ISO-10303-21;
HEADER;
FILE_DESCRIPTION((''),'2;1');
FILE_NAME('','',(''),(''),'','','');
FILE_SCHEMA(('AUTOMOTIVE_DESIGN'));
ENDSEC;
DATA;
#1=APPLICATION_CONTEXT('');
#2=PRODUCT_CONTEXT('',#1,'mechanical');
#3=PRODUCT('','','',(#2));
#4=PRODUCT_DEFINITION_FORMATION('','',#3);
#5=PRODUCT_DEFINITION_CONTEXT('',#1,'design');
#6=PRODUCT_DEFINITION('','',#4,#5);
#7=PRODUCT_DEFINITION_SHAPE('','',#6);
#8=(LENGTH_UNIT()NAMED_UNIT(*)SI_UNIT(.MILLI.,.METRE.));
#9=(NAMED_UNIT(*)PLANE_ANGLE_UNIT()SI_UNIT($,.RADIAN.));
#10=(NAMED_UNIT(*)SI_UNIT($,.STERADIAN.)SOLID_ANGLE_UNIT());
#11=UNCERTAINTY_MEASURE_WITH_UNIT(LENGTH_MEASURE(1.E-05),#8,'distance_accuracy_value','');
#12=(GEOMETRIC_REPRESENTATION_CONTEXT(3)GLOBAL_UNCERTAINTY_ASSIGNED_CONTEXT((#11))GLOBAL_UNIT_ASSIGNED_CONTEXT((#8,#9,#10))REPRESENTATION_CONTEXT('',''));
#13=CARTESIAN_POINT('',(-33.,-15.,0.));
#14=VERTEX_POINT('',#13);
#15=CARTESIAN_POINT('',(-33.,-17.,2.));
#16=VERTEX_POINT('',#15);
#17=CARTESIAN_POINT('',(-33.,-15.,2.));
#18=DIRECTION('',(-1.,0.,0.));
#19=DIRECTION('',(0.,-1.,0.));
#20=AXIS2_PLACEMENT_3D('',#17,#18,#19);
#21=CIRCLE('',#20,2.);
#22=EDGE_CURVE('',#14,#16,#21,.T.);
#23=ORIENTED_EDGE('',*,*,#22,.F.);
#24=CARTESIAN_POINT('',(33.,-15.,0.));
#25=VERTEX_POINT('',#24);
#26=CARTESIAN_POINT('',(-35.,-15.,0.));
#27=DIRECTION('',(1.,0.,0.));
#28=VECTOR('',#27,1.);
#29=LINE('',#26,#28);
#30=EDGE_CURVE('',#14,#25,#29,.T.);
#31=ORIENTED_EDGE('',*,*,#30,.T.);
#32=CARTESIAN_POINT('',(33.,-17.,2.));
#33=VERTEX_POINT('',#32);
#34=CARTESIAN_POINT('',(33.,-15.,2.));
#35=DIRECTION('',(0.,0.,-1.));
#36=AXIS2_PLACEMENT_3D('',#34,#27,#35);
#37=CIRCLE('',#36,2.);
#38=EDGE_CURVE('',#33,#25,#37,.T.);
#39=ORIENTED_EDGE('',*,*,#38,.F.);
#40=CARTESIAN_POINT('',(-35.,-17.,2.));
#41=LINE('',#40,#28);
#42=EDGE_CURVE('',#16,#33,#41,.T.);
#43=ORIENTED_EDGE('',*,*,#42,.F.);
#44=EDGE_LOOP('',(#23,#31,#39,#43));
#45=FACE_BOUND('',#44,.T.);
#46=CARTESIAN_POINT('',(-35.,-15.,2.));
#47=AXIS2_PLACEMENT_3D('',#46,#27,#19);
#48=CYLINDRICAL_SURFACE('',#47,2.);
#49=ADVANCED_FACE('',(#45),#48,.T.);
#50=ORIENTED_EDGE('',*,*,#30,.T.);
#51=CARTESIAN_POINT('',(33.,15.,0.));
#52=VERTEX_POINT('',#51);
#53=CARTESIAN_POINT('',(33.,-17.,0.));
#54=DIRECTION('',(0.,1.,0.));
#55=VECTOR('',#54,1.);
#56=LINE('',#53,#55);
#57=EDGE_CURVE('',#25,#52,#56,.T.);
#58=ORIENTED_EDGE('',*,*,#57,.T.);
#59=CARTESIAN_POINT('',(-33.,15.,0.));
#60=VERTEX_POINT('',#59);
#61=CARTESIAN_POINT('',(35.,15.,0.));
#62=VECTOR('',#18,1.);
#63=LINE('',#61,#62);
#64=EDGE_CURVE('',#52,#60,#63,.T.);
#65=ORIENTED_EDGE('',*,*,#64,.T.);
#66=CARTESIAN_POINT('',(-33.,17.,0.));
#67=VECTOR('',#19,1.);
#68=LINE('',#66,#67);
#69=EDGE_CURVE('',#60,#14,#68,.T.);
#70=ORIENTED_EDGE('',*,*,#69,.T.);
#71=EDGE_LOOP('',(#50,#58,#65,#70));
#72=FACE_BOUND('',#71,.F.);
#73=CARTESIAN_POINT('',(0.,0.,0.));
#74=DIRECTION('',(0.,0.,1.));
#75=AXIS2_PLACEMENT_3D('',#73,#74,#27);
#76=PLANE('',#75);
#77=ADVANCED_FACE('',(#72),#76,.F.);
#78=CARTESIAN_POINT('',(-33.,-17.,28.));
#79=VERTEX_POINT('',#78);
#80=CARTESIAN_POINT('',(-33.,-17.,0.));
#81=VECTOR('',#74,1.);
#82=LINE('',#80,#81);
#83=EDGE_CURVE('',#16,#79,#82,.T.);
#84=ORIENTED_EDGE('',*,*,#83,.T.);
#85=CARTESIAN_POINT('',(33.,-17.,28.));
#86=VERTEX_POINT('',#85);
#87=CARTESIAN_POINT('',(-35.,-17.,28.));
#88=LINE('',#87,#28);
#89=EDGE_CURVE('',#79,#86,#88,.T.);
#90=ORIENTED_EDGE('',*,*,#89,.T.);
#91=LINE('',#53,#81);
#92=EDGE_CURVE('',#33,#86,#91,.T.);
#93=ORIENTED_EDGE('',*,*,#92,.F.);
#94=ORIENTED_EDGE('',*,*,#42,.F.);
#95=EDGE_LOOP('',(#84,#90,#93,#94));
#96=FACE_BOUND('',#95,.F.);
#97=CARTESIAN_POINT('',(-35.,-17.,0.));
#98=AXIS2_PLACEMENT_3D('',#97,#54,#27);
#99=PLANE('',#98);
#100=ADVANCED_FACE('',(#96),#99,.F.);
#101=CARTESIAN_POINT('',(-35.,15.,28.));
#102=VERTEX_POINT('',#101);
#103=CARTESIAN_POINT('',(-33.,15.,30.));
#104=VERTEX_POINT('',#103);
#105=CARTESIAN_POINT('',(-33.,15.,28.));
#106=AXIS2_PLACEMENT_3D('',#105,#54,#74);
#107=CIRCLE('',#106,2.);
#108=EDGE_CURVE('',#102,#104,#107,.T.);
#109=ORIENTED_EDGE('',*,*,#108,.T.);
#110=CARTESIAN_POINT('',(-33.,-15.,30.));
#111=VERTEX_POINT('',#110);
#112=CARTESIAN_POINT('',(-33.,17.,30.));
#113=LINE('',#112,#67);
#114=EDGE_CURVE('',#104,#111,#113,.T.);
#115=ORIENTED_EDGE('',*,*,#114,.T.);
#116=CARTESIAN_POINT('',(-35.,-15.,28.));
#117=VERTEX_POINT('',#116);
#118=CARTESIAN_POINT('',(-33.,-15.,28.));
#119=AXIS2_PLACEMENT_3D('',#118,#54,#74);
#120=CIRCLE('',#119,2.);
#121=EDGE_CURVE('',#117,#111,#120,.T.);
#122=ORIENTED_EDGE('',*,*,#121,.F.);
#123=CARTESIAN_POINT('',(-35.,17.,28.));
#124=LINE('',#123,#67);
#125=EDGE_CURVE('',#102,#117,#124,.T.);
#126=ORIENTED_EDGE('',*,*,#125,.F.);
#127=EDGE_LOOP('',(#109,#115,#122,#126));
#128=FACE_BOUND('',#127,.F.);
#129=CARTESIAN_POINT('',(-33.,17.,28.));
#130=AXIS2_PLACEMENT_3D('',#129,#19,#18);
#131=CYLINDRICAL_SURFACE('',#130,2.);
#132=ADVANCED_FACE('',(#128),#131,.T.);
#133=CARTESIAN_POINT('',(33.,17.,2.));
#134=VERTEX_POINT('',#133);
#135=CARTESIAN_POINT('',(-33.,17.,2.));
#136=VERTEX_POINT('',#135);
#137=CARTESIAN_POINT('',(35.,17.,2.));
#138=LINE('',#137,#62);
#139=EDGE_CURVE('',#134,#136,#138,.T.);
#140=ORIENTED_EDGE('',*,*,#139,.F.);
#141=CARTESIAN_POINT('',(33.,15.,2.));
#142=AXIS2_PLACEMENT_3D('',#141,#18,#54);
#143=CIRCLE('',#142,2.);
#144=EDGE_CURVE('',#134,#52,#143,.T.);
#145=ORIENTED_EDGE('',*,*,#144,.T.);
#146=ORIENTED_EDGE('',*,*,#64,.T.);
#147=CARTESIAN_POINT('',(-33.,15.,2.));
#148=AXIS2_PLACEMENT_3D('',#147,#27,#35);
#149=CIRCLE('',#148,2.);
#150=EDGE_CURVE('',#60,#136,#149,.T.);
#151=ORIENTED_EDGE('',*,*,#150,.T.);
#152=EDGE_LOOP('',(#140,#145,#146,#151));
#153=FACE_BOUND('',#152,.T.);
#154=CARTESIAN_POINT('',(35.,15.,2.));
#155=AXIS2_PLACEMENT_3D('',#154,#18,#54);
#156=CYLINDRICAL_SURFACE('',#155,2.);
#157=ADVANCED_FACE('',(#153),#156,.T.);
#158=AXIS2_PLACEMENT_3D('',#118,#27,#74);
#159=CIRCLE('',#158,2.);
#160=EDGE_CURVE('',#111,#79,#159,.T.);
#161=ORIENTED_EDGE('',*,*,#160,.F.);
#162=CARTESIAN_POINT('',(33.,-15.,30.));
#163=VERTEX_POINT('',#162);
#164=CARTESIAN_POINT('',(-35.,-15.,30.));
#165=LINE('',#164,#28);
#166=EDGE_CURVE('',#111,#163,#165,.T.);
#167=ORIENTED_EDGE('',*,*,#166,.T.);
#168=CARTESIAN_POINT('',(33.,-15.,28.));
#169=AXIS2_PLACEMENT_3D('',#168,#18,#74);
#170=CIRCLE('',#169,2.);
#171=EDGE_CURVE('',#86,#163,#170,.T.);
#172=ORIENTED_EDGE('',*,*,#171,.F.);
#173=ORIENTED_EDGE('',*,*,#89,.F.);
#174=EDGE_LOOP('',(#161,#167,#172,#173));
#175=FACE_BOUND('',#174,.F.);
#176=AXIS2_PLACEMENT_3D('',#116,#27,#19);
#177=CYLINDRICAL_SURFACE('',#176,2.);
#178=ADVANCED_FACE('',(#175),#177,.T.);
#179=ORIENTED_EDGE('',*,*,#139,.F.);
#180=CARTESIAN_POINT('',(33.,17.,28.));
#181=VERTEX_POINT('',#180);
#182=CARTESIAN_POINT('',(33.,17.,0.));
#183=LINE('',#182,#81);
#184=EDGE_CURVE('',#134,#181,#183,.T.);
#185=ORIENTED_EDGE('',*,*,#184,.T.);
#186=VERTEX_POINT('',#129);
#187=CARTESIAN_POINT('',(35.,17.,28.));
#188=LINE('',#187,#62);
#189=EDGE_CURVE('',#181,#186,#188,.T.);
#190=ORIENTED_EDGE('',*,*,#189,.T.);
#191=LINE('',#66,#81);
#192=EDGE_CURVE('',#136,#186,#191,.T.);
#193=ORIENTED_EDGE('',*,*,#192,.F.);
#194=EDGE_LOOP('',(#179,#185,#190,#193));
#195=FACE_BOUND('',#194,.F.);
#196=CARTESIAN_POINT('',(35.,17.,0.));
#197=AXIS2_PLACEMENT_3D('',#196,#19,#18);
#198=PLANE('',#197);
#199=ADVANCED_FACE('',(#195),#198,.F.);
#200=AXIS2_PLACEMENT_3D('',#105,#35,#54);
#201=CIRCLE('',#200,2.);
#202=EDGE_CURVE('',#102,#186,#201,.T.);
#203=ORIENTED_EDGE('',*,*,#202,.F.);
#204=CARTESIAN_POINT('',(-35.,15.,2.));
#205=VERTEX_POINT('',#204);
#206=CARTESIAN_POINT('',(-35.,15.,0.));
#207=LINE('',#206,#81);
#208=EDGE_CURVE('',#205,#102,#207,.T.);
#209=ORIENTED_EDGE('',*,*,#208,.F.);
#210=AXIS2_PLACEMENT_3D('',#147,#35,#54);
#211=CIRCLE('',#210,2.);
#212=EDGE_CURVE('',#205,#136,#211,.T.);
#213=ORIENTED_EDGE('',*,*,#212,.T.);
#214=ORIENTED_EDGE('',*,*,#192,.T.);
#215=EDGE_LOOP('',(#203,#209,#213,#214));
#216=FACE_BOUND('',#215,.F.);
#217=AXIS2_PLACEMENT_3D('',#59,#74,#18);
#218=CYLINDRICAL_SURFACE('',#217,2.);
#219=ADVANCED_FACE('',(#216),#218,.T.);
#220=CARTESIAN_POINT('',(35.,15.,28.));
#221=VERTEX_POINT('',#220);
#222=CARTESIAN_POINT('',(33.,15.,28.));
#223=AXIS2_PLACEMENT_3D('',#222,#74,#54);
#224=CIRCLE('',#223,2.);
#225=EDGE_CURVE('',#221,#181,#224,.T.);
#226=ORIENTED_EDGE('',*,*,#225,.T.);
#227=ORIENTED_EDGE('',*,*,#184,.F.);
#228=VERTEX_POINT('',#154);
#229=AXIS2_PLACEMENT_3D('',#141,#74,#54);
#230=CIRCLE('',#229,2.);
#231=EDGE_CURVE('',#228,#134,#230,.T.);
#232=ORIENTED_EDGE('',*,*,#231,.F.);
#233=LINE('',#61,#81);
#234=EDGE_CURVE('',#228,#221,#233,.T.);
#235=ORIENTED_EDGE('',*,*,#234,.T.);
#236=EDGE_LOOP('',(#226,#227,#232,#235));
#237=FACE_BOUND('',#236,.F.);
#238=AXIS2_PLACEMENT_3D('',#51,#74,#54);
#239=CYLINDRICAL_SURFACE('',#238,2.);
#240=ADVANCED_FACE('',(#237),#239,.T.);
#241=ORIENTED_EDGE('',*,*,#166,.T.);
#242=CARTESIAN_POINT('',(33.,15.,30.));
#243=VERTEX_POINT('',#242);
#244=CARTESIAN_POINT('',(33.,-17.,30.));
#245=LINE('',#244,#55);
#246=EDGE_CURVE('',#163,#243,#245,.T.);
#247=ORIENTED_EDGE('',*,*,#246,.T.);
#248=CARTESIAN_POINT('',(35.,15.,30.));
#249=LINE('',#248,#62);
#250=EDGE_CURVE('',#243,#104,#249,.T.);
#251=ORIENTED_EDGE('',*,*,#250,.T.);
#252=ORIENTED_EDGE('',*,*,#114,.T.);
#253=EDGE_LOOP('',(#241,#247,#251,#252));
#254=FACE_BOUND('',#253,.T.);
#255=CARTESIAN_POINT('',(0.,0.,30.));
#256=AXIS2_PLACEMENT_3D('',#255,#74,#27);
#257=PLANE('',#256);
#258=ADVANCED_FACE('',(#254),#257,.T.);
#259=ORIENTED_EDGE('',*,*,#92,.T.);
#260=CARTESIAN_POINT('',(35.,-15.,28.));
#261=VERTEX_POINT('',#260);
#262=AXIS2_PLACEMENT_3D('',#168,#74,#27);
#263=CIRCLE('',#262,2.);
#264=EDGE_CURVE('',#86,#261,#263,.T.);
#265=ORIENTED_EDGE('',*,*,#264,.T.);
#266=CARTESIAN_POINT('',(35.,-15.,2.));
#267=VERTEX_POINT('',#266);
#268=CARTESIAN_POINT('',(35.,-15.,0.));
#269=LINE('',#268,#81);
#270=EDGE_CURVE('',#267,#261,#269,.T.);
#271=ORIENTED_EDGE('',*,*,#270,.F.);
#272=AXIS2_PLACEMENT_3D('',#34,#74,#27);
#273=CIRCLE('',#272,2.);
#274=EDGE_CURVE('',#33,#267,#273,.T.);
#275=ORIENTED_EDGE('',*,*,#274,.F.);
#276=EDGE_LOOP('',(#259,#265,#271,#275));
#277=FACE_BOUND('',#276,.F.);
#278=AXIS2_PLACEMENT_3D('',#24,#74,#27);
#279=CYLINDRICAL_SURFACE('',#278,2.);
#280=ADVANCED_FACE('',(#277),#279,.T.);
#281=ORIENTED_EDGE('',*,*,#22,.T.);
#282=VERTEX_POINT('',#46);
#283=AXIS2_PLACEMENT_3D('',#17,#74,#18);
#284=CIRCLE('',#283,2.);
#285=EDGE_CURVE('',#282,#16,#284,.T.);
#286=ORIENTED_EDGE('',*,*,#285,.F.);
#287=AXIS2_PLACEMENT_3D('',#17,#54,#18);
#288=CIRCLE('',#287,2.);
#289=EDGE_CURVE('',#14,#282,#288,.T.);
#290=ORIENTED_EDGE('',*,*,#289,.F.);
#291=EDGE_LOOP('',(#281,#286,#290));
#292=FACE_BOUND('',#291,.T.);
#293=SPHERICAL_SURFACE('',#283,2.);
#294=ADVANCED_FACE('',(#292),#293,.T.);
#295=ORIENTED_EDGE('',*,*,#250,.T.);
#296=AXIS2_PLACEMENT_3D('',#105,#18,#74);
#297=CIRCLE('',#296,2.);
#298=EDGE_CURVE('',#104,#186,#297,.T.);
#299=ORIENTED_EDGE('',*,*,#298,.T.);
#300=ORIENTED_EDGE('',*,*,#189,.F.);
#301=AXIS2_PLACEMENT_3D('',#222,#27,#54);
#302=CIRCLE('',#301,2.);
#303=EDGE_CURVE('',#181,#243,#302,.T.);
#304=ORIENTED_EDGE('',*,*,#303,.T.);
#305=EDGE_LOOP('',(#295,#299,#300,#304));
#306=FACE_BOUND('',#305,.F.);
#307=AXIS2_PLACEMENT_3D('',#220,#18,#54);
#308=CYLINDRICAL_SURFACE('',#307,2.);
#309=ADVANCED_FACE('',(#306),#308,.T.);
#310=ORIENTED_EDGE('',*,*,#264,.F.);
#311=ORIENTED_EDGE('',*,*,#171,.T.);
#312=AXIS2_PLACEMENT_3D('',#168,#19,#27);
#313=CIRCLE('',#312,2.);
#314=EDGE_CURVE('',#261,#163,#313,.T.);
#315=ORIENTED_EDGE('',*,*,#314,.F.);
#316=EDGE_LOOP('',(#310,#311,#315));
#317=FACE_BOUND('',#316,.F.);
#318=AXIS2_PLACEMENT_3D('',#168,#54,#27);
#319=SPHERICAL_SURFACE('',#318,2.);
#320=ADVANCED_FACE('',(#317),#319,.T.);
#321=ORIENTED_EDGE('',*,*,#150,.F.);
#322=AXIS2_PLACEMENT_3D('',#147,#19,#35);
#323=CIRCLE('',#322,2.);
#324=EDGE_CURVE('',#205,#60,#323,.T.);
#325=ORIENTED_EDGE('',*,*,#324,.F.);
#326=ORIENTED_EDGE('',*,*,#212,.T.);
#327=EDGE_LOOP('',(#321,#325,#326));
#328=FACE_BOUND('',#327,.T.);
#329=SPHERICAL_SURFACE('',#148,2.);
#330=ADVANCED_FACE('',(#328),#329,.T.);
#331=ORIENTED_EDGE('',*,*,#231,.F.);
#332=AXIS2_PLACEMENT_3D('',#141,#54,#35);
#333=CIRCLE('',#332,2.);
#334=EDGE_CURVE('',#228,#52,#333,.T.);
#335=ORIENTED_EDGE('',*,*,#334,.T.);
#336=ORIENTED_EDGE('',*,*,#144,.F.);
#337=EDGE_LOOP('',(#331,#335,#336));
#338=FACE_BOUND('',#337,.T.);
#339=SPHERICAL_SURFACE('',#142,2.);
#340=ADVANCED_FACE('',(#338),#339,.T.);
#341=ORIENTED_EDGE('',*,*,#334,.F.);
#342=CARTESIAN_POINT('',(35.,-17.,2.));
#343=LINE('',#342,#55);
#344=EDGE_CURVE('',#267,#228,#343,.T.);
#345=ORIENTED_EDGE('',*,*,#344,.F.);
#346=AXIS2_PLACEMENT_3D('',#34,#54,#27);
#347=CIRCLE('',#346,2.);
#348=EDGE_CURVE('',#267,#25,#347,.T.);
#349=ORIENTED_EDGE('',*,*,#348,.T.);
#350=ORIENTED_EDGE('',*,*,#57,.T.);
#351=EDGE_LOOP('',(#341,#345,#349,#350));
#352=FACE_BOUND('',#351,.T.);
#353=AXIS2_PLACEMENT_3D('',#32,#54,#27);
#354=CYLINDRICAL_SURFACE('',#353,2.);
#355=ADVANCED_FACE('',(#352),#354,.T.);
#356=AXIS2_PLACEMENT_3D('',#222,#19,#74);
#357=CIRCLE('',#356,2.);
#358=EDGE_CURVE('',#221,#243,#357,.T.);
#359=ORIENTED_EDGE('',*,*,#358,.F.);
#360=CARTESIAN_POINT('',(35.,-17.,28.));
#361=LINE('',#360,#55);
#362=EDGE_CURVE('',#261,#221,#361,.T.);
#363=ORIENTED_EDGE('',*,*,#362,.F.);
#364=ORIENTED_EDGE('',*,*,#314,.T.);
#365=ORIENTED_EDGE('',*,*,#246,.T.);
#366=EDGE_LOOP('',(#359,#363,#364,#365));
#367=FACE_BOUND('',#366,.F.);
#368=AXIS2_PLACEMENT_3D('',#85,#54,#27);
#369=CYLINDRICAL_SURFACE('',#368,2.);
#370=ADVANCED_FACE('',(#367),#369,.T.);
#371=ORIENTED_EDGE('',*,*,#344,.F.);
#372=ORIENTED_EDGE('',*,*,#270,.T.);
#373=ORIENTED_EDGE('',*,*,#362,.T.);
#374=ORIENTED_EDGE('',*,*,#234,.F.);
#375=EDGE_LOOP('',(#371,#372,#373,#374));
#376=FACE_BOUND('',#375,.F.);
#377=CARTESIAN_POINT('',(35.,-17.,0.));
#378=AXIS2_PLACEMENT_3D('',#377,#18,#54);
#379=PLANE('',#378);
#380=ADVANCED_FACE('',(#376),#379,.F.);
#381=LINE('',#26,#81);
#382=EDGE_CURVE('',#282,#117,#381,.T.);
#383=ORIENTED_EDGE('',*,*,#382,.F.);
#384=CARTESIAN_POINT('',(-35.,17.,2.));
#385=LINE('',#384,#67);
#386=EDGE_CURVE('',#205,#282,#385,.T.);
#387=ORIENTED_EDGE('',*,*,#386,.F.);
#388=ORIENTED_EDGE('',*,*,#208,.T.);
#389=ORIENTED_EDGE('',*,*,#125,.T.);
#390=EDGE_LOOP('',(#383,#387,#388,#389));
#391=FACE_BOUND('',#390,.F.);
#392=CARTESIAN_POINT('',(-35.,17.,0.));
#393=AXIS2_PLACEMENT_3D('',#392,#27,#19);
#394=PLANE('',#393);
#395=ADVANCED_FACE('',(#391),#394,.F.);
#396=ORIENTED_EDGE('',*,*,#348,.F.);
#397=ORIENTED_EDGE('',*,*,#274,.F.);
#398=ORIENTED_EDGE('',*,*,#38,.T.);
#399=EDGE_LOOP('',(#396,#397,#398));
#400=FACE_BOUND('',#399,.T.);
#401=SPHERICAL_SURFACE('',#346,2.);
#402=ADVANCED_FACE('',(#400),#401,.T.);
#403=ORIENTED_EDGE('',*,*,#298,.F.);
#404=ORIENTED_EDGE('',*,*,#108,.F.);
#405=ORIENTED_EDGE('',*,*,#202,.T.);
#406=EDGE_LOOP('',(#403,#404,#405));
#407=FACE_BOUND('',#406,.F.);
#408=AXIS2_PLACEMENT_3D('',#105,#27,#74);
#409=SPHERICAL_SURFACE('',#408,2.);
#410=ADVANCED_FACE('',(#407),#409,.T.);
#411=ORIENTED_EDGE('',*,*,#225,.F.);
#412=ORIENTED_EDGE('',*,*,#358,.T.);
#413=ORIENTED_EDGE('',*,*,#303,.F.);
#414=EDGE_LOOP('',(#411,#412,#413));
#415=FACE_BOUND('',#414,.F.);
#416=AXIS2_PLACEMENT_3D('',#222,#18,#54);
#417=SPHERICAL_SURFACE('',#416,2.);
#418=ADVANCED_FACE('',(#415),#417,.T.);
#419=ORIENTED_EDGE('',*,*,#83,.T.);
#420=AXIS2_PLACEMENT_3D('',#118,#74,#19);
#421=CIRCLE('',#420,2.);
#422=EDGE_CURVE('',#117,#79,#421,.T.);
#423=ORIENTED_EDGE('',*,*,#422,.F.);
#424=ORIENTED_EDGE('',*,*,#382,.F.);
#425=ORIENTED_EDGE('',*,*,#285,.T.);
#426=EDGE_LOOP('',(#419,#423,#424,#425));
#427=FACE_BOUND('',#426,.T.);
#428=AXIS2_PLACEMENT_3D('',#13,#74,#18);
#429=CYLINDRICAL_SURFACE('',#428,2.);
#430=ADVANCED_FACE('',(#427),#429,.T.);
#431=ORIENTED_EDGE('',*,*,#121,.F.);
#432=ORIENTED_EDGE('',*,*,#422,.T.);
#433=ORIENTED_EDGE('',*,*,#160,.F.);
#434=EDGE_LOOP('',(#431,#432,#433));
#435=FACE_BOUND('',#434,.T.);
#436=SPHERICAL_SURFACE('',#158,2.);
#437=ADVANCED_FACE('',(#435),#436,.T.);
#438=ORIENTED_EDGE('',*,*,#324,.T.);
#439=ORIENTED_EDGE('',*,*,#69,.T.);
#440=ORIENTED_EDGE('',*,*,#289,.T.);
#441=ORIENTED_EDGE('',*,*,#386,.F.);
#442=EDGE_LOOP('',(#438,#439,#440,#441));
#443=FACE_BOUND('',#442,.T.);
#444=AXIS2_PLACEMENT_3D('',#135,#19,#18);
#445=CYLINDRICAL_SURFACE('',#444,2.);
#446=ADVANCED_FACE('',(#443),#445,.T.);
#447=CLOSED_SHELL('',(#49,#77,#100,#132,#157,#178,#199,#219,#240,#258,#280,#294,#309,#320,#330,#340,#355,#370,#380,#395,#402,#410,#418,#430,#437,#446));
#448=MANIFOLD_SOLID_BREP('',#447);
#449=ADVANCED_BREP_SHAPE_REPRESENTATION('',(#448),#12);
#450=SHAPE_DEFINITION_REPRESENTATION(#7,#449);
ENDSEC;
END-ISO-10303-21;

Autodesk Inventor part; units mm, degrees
ref_plane "YZ Plane" through (0, 0, 0) normal (1, 0, 0) x (0, 1, 0)
ref_plane "XZ Plane" through (0, 0, 0) normal (0, 1, 0) x (-1, 0, 0)
ref_plane "XY Plane" through (0, 0, 0) normal (0, 0, 1) x (1, 0, 0)
sketch "Sketch1" plane through (0, 0, 0) normal (0, 0, 1) x (1, 0, 0)
  line L0 (0, -23.8) -> (0, 23.8) construction
  line L1 (-49, 0) -> (49, 0) construction
  line L2 (-35, -17) -> (35, -17)
  line L3 (35, -17) -> (35, 17)
  line L4 (35, 17) -> (-35, 17)
  line L5 (-35, 17) -> (-35, -17)
  line L6 (-35, -17) -> (35, 17) construction
  line L7 (35, -17) -> (-35, 17) construction
  point P0 (0, 0)
  dimension "d0" = 70
  dimension "d1" = 34
extrude "Extrusion1" add sketch "Sketch1" along normal blind 30
fillet "Fillet1" radius 2 12 edges at (0, 17, 30) (0, 17, 0) (35, 17, 15) (35, 0, 30) (35, 0, 0) (35, -17, 15) (0, -17, 30) (-35, 0, 30) (-35, -17, 15) (-35, 0, 0) (0, -17, 0) (-35, 17, 15)
properties part number "Battery Pack"
